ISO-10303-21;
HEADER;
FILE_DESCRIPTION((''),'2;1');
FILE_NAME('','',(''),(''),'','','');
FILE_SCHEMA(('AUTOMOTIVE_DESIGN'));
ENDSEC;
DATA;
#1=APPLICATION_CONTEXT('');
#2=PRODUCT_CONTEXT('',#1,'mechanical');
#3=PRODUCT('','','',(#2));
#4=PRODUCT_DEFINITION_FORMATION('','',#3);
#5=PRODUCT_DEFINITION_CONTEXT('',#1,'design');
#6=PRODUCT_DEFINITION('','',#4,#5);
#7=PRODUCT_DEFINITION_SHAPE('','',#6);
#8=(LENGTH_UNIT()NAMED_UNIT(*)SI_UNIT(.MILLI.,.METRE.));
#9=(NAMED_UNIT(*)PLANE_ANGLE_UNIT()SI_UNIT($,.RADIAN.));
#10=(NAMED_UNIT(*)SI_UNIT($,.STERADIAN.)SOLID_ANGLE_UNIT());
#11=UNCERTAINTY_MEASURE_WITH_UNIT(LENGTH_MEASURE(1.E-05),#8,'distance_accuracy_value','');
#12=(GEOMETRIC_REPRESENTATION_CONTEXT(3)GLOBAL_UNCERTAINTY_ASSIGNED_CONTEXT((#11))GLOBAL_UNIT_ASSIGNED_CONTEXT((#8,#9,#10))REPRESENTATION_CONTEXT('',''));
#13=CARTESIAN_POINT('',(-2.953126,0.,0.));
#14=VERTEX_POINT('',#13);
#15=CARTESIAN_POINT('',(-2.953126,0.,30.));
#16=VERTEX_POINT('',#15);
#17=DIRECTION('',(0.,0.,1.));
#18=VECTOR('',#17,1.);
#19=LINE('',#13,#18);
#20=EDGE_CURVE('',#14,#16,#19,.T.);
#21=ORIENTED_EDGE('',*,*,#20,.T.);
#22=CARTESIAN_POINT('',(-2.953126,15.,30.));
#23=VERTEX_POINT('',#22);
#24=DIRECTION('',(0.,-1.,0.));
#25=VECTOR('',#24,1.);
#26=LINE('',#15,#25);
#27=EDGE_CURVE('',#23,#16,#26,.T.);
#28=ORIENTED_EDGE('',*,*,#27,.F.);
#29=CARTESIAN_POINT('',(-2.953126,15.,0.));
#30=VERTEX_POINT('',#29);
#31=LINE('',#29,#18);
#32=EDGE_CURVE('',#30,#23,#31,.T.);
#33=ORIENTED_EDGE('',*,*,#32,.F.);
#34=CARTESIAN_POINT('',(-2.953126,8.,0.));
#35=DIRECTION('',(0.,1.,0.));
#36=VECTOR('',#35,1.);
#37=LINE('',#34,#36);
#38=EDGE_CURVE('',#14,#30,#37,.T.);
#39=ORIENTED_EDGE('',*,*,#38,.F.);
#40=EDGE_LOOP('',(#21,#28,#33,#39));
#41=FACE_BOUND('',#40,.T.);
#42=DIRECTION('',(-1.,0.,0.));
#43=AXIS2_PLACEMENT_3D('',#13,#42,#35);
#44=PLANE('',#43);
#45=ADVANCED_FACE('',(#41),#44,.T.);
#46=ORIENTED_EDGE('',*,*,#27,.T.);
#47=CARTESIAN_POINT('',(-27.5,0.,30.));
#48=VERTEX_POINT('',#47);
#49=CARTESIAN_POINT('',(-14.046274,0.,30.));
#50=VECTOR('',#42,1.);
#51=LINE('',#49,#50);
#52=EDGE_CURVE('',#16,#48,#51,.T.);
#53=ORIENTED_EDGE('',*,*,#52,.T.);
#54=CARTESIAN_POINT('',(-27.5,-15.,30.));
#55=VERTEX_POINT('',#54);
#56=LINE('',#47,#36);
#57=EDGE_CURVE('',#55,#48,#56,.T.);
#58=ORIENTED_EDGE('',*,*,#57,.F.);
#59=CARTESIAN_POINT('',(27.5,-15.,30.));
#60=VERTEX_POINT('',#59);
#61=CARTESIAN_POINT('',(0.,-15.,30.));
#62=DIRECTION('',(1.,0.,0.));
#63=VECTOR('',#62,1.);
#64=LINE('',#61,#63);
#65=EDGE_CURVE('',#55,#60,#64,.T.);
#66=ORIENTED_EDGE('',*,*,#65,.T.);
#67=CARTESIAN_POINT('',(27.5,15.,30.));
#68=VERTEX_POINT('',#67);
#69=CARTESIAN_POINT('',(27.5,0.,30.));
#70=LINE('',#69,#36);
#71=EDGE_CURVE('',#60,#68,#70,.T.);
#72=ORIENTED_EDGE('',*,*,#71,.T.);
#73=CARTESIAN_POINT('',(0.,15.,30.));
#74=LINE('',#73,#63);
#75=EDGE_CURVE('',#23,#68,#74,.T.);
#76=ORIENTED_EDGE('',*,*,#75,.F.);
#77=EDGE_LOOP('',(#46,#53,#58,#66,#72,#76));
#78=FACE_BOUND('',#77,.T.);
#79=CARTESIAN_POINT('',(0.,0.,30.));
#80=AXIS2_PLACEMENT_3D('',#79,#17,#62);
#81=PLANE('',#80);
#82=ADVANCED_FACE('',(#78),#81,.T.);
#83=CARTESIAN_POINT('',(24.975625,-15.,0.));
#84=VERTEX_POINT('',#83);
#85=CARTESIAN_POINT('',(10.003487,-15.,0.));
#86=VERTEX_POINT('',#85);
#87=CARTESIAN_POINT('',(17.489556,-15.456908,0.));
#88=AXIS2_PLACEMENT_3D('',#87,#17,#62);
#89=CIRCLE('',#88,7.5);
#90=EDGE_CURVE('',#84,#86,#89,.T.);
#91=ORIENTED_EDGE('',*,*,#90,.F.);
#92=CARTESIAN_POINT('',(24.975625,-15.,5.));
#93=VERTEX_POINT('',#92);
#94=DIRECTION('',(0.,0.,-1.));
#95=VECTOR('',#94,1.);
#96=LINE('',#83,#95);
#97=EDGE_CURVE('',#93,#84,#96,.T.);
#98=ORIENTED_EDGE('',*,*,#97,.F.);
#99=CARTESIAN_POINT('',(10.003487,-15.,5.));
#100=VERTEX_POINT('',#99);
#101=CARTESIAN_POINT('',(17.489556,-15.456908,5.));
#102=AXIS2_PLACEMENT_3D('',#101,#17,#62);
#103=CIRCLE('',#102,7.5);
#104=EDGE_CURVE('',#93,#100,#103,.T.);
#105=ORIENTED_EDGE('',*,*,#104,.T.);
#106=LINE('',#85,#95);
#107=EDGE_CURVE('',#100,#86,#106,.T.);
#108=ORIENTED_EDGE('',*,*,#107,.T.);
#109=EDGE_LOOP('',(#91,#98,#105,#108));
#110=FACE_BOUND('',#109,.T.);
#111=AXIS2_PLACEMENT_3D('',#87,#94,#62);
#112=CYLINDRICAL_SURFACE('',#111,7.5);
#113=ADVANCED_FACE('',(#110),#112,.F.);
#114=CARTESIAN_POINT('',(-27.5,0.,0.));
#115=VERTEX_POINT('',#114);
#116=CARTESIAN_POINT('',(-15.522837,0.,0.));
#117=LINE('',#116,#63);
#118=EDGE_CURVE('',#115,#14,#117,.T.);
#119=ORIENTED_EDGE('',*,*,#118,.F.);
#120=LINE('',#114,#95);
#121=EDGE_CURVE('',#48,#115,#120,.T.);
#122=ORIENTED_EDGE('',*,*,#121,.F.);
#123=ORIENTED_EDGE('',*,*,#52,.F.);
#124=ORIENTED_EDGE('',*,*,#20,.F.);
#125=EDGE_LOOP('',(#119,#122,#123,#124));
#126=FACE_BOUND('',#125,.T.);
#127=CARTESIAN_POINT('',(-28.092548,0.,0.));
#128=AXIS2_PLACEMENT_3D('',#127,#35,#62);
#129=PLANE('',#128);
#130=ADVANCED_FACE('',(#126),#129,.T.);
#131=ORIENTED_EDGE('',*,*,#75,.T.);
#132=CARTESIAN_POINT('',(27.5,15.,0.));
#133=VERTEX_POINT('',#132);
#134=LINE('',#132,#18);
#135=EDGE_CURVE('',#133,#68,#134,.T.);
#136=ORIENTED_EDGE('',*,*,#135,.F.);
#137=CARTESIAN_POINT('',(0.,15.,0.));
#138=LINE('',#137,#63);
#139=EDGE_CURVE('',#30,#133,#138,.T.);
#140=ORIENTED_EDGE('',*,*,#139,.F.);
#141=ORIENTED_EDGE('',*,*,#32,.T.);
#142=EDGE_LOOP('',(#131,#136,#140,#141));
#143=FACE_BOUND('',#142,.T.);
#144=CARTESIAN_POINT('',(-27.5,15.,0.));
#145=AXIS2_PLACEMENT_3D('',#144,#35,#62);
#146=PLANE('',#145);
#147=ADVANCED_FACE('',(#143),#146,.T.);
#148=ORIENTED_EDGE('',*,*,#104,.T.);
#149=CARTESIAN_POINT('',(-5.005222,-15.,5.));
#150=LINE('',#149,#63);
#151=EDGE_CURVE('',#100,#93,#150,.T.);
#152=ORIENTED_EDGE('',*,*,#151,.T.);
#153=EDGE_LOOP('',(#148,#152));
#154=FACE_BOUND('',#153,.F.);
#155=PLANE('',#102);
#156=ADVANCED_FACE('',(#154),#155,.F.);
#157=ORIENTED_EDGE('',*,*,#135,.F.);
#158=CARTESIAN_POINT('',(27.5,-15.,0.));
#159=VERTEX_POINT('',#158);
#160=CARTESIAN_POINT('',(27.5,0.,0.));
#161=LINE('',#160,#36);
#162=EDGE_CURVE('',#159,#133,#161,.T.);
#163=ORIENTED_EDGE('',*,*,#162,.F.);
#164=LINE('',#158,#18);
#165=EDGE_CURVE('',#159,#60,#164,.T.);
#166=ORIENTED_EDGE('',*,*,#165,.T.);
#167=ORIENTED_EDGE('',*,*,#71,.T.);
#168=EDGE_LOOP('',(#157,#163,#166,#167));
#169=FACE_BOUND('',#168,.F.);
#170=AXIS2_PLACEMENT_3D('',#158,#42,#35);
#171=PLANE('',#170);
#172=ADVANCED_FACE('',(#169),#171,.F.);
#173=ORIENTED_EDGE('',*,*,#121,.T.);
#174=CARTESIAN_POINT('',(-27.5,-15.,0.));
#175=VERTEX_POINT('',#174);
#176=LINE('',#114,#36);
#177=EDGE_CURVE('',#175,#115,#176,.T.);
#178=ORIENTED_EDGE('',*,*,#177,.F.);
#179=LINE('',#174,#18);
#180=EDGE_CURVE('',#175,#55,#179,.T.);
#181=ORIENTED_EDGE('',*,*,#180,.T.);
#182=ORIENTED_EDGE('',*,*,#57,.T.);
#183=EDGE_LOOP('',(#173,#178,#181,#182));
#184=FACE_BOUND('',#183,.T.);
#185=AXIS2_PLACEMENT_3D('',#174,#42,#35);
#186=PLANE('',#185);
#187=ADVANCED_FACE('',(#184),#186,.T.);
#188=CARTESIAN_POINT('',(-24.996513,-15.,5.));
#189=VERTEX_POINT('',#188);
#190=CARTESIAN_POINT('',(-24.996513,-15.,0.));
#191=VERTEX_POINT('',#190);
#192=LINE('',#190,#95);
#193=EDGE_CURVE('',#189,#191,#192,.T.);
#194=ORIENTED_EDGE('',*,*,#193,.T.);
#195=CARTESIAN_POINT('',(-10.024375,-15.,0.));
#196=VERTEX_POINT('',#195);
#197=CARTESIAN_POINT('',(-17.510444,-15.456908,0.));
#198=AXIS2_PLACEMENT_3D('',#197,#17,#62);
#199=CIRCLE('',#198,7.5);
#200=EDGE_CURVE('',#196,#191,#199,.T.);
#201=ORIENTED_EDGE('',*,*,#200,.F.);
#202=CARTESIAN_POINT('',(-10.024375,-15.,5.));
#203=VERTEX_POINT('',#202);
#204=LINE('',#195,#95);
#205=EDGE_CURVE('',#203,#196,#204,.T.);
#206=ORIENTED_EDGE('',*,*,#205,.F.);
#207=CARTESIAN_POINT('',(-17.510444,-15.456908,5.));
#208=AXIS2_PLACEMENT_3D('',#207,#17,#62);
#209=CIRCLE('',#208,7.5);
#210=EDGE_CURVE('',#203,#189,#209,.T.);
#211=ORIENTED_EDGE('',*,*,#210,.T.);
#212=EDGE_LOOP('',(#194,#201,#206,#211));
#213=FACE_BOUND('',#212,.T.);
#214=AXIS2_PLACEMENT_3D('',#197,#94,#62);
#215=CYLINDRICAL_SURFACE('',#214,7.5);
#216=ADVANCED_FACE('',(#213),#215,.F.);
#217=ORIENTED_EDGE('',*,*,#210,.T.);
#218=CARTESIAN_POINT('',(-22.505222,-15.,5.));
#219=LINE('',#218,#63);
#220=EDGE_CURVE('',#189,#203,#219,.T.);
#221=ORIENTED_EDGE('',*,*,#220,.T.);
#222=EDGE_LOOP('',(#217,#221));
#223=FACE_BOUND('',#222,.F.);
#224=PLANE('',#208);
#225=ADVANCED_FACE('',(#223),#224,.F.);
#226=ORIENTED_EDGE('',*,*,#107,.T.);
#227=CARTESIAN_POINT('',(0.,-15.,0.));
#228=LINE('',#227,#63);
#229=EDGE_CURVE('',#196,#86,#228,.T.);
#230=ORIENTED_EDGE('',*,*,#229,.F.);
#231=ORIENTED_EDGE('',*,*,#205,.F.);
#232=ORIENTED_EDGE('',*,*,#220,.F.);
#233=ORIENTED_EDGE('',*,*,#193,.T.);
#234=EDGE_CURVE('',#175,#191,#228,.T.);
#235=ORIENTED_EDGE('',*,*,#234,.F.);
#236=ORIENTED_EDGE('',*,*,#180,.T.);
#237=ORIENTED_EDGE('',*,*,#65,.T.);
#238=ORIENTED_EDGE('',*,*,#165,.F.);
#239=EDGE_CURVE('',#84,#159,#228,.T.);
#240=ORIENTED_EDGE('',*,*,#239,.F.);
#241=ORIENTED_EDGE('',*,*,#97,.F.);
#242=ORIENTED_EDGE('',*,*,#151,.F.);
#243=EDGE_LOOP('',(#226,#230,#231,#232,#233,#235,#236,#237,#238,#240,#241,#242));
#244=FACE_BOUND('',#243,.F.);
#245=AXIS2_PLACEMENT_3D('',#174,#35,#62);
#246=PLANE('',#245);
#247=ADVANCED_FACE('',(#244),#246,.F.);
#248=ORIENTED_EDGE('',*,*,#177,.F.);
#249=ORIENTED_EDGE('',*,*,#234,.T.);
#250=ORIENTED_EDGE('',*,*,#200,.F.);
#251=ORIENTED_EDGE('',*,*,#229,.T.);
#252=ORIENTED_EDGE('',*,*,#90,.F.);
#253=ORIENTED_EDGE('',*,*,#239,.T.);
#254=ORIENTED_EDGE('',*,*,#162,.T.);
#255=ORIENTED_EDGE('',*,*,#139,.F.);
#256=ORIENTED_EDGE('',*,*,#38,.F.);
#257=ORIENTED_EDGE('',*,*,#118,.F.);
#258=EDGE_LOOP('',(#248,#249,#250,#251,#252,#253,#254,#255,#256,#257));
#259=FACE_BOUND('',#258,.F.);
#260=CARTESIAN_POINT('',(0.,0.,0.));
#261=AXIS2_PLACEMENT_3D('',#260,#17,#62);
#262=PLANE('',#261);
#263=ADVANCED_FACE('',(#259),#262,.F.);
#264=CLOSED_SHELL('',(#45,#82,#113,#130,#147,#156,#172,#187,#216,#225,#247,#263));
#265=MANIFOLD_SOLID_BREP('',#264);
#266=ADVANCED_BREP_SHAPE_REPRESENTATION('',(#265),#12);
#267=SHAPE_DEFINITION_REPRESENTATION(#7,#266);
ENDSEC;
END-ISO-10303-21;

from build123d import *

# Parameters (mm, degrees)
F0_W     = 55
F0_H     = 30
F1_DEPTH = 30
F2_W     = 25.139422
F2_H     = 16
F3_DEPTH = 67.1
F4_R     = 7.5
F5_DEPTH = 5
F6_DEPTH = 5


with BuildPart() as f1:
    # F0 (on Top) → F1 (new body)
    with BuildSketch(Plane.XY):
        Rectangle(F0_W, F0_H)
    extrude(amount=F1_DEPTH)

    # F2 (on Top) → F3 (cut)
    with BuildSketch(Plane.XY):
        with Locations((-15.522837, 8)):
            Rectangle(F2_W, F2_H)
    extrude(amount=F3_DEPTH, mode=Mode.SUBTRACT)

    # F4 (on Top) → F5 (cut)
    with BuildSketch(Plane.XY):
        with Locations((17.489556, -15.456908)):
            Circle(F4_R)
    extrude(amount=F5_DEPTH, mode=Mode.SUBTRACT)

    # F4 (on Top) → F6 (cut)
    with BuildSketch(Plane.XY):
        with Locations((-17.510444, -15.456908)):
            Circle(F4_R)
        with Locations((17.489556, -15.456908)):
            Circle(F4_R)
    extrude(amount=F6_DEPTH, mode=Mode.SUBTRACT)


solid = f1.part
